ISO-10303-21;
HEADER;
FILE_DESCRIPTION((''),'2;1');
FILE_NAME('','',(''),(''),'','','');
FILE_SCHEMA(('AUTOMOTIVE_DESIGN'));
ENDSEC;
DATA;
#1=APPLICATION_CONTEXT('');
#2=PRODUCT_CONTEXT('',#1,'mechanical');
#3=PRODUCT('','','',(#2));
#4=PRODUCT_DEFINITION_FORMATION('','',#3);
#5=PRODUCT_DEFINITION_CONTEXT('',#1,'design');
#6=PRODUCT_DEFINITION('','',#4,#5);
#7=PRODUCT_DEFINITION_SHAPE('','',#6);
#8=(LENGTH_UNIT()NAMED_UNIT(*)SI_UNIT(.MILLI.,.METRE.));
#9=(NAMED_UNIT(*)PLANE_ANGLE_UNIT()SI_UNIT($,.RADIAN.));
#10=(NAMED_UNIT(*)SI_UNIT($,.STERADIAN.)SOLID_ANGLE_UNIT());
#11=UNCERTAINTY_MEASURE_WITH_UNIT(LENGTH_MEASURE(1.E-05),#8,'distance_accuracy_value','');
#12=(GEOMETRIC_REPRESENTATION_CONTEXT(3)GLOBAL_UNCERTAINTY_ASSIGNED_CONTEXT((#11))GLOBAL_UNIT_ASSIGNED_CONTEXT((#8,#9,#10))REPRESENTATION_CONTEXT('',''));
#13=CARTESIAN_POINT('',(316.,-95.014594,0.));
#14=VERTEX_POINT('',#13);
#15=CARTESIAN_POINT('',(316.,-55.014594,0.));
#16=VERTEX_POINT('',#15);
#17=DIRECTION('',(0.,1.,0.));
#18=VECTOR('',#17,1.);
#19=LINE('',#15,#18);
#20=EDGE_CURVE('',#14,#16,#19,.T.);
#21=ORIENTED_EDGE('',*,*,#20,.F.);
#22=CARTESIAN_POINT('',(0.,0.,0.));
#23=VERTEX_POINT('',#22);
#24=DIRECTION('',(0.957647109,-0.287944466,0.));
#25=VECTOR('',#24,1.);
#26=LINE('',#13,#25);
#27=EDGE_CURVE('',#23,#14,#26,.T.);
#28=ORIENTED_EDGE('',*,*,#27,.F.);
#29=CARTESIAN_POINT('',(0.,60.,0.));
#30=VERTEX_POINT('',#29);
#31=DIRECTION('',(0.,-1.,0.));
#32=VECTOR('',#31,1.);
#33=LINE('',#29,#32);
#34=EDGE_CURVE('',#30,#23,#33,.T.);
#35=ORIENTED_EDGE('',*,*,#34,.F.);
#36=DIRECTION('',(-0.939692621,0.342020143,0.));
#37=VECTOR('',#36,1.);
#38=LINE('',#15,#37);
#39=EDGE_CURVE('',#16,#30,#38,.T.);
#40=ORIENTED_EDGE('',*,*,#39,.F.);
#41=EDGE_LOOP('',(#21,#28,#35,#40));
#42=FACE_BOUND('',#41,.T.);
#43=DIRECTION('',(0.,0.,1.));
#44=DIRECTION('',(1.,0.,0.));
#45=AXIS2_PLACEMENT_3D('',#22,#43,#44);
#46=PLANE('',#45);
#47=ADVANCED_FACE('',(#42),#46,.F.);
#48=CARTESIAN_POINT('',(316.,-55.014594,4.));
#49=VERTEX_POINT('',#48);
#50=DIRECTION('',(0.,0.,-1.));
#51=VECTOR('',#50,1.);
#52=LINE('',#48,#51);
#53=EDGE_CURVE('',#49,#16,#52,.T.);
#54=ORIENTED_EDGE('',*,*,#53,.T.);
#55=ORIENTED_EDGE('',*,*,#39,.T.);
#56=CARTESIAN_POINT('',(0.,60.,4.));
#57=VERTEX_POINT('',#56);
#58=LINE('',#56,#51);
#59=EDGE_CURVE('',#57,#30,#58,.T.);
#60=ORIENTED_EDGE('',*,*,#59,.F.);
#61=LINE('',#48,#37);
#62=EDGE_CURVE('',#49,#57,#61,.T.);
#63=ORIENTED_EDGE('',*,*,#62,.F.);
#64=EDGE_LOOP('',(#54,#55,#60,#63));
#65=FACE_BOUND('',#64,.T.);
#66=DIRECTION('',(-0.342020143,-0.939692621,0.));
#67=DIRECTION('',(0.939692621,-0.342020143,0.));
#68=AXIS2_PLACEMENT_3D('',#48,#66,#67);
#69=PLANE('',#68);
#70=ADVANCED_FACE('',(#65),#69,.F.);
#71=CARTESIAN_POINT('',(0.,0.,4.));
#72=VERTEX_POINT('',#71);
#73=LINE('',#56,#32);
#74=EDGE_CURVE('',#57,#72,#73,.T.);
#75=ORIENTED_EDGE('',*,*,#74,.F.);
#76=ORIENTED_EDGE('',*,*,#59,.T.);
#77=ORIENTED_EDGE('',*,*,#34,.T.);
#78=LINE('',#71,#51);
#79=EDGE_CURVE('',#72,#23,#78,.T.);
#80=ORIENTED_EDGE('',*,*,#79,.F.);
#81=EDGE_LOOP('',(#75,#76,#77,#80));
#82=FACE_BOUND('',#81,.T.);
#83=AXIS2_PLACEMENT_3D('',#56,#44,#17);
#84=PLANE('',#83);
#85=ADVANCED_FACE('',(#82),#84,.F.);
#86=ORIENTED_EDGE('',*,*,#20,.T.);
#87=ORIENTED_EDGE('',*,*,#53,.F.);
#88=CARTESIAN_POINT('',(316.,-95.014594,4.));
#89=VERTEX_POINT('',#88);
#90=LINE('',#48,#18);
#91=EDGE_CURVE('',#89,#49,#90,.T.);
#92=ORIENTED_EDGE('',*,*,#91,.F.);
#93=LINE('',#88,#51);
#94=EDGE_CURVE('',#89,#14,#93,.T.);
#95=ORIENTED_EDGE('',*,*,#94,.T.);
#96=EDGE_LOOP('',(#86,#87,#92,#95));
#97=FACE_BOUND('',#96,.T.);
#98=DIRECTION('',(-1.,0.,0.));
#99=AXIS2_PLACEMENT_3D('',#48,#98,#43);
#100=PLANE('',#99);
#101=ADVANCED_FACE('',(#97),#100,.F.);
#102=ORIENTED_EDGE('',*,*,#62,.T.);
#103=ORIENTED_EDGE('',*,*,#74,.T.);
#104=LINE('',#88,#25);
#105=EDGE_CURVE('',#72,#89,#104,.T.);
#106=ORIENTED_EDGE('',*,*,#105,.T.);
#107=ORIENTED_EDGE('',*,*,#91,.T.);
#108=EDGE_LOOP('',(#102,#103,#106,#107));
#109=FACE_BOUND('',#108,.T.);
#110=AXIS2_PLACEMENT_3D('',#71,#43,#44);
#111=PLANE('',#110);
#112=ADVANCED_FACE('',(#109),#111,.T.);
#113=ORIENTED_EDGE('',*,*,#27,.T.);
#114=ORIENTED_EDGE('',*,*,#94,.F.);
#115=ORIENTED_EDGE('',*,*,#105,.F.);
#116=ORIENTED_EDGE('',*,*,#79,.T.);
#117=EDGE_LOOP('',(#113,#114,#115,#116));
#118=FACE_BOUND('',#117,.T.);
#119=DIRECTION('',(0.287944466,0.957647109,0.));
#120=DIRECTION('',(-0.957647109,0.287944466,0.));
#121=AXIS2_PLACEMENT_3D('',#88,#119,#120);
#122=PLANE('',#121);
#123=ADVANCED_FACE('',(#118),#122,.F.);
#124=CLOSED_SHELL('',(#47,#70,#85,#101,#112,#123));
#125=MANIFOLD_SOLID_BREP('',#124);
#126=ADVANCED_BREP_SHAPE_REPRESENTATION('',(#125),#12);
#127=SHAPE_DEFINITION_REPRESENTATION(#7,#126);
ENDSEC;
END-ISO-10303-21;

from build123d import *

# Parameters (mm, degrees)
BOSS_EXTRUDE1_DEPTH = 4


with BuildPart() as part:
    # Sketch1 → Boss-Extrude1 (new body)
    with BuildSketch(Plane.XY):
        Polygon((0, 60), (0, 0), (316, -95.014594028), (316, -55.014594028), align=None)
    extrude(amount=BOSS_EXTRUDE1_DEPTH)


solid = part.part
